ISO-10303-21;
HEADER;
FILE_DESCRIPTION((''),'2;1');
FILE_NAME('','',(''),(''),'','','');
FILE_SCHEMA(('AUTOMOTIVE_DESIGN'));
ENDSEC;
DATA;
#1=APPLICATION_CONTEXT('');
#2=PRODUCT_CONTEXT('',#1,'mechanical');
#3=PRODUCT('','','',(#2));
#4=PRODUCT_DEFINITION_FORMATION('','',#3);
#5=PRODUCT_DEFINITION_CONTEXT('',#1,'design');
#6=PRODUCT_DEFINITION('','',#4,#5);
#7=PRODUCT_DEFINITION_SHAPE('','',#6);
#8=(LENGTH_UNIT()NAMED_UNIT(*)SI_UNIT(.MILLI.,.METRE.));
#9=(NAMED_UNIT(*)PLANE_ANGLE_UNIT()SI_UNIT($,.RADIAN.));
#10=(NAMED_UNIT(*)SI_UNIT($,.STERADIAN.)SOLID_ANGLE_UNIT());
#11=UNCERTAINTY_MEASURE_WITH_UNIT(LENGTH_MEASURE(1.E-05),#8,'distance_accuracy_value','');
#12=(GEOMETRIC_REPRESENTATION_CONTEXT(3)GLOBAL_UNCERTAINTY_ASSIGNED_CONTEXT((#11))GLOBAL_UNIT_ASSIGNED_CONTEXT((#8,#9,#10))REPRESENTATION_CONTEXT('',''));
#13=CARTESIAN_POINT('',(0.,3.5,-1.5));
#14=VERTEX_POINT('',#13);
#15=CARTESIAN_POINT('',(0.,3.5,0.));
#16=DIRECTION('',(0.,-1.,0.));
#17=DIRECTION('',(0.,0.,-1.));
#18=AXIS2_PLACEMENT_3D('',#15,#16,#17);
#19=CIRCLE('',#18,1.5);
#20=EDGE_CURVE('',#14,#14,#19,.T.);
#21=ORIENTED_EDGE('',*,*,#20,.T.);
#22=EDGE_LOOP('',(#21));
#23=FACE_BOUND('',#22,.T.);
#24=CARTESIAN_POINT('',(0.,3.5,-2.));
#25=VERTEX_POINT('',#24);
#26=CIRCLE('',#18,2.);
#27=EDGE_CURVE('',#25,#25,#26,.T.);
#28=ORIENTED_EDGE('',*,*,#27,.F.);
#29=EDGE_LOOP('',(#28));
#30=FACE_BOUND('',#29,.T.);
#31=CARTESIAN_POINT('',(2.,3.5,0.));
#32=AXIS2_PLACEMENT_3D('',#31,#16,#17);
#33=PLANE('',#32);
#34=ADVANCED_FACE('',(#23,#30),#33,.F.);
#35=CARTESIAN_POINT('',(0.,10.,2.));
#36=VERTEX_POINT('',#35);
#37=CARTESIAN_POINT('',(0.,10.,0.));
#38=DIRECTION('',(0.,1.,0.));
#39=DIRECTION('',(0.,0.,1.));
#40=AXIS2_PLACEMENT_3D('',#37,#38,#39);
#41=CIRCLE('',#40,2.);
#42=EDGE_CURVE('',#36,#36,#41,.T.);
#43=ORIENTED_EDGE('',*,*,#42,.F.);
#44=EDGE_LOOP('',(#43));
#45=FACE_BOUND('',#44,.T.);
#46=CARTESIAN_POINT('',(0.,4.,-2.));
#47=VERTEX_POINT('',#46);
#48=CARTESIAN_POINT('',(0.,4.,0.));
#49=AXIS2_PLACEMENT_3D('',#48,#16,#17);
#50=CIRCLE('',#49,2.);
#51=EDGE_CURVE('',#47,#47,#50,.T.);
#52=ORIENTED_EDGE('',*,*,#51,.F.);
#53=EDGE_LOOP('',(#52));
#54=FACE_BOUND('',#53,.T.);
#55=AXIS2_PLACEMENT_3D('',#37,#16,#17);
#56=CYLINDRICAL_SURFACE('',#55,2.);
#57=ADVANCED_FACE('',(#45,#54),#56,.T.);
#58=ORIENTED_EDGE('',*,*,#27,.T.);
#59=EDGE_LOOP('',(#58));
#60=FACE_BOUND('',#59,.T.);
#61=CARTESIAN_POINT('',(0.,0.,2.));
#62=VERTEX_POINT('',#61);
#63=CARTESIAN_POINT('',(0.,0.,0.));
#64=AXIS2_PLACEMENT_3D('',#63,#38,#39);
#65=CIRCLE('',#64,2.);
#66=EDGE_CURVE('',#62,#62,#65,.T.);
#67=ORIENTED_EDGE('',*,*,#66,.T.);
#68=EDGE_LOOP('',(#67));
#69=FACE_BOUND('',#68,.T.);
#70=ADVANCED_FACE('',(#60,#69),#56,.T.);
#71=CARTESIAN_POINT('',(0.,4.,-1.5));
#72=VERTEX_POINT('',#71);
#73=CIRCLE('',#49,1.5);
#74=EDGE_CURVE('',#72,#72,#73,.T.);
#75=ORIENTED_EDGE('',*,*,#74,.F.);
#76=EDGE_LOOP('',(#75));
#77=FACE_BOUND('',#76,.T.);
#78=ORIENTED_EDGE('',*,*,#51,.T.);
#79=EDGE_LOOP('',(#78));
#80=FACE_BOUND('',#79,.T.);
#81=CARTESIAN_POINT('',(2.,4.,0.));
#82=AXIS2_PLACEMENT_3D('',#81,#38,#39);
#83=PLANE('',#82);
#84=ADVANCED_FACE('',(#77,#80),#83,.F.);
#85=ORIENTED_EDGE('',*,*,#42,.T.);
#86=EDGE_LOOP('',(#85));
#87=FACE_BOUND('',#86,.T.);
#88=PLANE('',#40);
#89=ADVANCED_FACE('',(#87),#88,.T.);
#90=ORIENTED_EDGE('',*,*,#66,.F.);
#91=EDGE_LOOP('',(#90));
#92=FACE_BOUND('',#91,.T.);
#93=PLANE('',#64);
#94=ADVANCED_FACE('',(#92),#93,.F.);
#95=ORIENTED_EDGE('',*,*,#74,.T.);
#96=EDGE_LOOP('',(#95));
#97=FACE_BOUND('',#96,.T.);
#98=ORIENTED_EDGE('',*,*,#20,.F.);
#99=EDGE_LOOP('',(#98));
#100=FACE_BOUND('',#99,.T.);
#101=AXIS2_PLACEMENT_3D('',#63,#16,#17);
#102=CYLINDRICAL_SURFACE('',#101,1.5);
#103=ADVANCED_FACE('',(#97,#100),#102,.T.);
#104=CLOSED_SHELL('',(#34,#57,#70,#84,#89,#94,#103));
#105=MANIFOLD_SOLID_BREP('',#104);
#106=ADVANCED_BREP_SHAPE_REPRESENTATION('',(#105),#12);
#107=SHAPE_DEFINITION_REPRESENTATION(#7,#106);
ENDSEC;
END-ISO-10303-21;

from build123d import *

# Parameters (mm, degrees)
SKETCH1_R           = 2
BOSS_EXTRUDE1_DEPTH = 10
SKETCH2_W           = 0.5
SKETCH2_H           = 0.5


with BuildPart() as part:
    # Sketch1 → Boss-Extrude1 (new body)
    with BuildSketch(Plane(origin=(0, 0, 0), x_dir=(1, 0, 0), z_dir=(0, 1, 0))):
        with Locations(Location((0, 0, 0), (0, 0, 270))):
            Circle(SKETCH1_R)
    extrude(amount=BOSS_EXTRUDE1_DEPTH)

    # Sketch2 → Cut-Revolve1 (revolve, cut)
    with BuildSketch(Plane.XY, mode=Mode.PRIVATE) as cut_revolve1_sk:
        with Locations((1.75, 3.75)):
            Rectangle(SKETCH2_W, SKETCH2_H)
    revolve(cut_revolve1_sk.sketch.rotate(Axis((0, 0, 0), (0, 1, 0)), 90), axis=Axis((0, 0, 0), (0, 1, 0)), mode=Mode.SUBTRACT)


solid = part.part
